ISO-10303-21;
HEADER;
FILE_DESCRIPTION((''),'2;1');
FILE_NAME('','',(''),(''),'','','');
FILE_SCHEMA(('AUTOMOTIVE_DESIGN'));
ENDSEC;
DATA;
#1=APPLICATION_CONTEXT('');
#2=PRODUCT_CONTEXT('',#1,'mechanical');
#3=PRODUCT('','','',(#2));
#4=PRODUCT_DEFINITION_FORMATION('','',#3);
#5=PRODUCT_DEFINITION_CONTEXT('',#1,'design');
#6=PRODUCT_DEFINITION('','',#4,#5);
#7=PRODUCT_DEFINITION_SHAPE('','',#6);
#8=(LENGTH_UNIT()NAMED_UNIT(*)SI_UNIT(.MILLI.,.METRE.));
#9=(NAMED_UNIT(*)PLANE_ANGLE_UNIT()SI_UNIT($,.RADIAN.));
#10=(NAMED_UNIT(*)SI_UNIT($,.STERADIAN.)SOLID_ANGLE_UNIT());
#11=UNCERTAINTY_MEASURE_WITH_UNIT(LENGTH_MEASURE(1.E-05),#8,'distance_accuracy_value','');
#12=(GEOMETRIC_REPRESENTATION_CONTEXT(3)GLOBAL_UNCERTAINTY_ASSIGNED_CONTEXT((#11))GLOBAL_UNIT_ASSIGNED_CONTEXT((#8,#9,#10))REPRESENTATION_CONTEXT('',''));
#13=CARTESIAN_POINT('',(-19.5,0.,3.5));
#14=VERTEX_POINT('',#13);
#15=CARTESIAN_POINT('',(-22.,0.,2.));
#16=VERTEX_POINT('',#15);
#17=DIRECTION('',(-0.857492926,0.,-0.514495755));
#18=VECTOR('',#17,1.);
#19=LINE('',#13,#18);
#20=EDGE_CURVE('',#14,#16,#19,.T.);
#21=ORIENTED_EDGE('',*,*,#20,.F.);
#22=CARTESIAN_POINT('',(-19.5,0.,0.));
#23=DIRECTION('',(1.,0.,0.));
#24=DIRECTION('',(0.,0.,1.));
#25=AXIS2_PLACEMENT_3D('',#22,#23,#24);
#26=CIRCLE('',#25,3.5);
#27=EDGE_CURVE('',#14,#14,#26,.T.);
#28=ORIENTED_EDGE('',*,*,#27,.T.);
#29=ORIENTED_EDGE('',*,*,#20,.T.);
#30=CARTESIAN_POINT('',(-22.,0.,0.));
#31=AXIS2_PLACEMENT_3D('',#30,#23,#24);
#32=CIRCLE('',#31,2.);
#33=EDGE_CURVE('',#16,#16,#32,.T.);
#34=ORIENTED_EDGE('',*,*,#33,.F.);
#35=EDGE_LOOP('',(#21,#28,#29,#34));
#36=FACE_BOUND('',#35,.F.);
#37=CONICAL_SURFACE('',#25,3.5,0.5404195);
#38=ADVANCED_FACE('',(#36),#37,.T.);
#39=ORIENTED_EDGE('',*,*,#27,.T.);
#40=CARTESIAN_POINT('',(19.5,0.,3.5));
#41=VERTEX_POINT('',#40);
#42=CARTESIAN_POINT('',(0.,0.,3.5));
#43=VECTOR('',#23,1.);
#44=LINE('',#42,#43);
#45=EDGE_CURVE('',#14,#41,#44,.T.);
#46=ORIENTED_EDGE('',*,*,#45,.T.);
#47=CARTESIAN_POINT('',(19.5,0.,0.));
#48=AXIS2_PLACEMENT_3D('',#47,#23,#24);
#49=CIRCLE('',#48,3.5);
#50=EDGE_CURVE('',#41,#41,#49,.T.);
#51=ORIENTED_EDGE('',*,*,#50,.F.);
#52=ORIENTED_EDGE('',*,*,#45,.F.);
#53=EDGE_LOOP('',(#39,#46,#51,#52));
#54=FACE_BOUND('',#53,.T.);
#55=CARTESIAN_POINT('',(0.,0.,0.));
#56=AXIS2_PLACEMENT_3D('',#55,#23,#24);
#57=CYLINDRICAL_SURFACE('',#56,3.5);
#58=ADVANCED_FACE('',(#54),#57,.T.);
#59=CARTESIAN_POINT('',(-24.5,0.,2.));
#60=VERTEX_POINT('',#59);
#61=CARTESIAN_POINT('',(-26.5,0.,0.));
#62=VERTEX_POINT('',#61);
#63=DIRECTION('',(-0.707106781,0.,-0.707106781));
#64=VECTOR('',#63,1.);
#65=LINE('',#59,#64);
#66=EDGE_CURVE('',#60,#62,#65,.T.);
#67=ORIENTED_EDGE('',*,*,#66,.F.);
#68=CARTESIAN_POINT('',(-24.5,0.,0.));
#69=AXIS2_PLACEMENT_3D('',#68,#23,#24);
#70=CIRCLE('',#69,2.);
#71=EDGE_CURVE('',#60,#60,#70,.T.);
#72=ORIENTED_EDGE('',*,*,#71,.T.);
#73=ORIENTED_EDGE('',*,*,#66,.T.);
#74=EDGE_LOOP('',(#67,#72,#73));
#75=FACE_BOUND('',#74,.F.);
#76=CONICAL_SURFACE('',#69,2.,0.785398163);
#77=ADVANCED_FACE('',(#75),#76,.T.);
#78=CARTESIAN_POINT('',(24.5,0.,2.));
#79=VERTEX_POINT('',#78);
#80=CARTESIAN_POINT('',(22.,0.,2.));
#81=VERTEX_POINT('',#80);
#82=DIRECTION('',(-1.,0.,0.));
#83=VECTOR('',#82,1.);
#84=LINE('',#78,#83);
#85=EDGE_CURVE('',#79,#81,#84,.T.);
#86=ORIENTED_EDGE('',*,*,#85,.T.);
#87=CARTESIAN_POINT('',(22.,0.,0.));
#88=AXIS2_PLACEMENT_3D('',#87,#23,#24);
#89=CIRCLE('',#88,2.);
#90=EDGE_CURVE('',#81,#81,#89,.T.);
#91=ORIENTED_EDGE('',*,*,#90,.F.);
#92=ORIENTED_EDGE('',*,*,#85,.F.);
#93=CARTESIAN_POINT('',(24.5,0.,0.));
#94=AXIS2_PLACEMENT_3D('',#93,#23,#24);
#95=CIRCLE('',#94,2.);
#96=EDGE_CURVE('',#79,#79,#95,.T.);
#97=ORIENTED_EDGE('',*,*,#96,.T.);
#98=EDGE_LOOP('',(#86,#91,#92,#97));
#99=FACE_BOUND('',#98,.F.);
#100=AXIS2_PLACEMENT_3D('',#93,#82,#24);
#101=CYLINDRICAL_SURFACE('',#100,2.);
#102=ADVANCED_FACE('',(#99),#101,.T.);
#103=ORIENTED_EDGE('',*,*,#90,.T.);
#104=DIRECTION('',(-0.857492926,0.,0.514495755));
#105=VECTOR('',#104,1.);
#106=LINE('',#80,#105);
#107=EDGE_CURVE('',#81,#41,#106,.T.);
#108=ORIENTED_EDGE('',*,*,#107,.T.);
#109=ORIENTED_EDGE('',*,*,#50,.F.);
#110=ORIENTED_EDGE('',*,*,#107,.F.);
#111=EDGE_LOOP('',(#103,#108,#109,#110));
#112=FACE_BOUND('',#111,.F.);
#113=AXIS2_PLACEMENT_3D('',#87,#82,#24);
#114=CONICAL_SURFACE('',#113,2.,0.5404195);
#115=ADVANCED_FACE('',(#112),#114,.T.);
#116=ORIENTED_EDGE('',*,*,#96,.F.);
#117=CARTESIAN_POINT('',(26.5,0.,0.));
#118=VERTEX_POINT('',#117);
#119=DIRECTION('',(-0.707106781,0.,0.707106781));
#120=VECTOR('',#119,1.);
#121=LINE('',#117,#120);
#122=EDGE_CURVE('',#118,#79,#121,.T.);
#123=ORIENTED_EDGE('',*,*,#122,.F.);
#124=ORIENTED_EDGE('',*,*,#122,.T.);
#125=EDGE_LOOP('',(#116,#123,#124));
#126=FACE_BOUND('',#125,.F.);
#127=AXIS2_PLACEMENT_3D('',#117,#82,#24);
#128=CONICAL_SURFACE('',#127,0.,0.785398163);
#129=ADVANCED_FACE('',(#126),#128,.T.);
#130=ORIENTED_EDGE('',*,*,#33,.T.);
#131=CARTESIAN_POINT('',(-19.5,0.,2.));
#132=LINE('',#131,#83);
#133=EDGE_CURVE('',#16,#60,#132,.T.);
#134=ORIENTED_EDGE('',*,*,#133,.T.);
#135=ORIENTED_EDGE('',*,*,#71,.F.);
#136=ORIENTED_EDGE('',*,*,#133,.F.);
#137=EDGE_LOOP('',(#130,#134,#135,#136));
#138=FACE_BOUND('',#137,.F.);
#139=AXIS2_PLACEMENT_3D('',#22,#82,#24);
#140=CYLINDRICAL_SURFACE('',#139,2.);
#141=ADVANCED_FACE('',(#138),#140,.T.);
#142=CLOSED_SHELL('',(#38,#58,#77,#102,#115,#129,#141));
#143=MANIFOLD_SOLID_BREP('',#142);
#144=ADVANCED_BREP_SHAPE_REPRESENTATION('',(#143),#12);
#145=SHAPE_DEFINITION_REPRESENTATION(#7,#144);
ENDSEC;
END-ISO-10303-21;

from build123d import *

# Parameters (mm, degrees)
F0_W   = 39
F0_H   = 1.5
F0_H_2 = 2


with BuildPart() as f1:
    # F0 (on Front) → F1 (revolve)
    with BuildSketch(Plane.XZ):
        Polygon((-24.5, 0), (-24.5, 2), (-26.5, 0), align=None)
        Polygon((-19.5, 0), (-19.5, 2), (-22, 2), (-24.5, 2), (-24.5, 0), align=None)
        Polygon((-19.5, 2), (-19.5, 3.5), (-22, 2), align=None)
        with Locations((0, 2.75)):
            Rectangle(F0_W, F0_H)
        with Locations((0, 1)):
            Rectangle(F0_W, F0_H_2)
        Polygon((22, 2), (19.5, 2), (19.5, 0), (24.5, 0), (24.5, 2), align=None)
        Polygon((22, 2), (19.5, 3.5), (19.5, 2), align=None)
        Polygon((26.5, 0), (24.5, 2), (24.5, 0), align=None)
    revolve(axis=Axis((-2.8990283608, 0, 0), (1, 0, 0)))


solid = f1.part
